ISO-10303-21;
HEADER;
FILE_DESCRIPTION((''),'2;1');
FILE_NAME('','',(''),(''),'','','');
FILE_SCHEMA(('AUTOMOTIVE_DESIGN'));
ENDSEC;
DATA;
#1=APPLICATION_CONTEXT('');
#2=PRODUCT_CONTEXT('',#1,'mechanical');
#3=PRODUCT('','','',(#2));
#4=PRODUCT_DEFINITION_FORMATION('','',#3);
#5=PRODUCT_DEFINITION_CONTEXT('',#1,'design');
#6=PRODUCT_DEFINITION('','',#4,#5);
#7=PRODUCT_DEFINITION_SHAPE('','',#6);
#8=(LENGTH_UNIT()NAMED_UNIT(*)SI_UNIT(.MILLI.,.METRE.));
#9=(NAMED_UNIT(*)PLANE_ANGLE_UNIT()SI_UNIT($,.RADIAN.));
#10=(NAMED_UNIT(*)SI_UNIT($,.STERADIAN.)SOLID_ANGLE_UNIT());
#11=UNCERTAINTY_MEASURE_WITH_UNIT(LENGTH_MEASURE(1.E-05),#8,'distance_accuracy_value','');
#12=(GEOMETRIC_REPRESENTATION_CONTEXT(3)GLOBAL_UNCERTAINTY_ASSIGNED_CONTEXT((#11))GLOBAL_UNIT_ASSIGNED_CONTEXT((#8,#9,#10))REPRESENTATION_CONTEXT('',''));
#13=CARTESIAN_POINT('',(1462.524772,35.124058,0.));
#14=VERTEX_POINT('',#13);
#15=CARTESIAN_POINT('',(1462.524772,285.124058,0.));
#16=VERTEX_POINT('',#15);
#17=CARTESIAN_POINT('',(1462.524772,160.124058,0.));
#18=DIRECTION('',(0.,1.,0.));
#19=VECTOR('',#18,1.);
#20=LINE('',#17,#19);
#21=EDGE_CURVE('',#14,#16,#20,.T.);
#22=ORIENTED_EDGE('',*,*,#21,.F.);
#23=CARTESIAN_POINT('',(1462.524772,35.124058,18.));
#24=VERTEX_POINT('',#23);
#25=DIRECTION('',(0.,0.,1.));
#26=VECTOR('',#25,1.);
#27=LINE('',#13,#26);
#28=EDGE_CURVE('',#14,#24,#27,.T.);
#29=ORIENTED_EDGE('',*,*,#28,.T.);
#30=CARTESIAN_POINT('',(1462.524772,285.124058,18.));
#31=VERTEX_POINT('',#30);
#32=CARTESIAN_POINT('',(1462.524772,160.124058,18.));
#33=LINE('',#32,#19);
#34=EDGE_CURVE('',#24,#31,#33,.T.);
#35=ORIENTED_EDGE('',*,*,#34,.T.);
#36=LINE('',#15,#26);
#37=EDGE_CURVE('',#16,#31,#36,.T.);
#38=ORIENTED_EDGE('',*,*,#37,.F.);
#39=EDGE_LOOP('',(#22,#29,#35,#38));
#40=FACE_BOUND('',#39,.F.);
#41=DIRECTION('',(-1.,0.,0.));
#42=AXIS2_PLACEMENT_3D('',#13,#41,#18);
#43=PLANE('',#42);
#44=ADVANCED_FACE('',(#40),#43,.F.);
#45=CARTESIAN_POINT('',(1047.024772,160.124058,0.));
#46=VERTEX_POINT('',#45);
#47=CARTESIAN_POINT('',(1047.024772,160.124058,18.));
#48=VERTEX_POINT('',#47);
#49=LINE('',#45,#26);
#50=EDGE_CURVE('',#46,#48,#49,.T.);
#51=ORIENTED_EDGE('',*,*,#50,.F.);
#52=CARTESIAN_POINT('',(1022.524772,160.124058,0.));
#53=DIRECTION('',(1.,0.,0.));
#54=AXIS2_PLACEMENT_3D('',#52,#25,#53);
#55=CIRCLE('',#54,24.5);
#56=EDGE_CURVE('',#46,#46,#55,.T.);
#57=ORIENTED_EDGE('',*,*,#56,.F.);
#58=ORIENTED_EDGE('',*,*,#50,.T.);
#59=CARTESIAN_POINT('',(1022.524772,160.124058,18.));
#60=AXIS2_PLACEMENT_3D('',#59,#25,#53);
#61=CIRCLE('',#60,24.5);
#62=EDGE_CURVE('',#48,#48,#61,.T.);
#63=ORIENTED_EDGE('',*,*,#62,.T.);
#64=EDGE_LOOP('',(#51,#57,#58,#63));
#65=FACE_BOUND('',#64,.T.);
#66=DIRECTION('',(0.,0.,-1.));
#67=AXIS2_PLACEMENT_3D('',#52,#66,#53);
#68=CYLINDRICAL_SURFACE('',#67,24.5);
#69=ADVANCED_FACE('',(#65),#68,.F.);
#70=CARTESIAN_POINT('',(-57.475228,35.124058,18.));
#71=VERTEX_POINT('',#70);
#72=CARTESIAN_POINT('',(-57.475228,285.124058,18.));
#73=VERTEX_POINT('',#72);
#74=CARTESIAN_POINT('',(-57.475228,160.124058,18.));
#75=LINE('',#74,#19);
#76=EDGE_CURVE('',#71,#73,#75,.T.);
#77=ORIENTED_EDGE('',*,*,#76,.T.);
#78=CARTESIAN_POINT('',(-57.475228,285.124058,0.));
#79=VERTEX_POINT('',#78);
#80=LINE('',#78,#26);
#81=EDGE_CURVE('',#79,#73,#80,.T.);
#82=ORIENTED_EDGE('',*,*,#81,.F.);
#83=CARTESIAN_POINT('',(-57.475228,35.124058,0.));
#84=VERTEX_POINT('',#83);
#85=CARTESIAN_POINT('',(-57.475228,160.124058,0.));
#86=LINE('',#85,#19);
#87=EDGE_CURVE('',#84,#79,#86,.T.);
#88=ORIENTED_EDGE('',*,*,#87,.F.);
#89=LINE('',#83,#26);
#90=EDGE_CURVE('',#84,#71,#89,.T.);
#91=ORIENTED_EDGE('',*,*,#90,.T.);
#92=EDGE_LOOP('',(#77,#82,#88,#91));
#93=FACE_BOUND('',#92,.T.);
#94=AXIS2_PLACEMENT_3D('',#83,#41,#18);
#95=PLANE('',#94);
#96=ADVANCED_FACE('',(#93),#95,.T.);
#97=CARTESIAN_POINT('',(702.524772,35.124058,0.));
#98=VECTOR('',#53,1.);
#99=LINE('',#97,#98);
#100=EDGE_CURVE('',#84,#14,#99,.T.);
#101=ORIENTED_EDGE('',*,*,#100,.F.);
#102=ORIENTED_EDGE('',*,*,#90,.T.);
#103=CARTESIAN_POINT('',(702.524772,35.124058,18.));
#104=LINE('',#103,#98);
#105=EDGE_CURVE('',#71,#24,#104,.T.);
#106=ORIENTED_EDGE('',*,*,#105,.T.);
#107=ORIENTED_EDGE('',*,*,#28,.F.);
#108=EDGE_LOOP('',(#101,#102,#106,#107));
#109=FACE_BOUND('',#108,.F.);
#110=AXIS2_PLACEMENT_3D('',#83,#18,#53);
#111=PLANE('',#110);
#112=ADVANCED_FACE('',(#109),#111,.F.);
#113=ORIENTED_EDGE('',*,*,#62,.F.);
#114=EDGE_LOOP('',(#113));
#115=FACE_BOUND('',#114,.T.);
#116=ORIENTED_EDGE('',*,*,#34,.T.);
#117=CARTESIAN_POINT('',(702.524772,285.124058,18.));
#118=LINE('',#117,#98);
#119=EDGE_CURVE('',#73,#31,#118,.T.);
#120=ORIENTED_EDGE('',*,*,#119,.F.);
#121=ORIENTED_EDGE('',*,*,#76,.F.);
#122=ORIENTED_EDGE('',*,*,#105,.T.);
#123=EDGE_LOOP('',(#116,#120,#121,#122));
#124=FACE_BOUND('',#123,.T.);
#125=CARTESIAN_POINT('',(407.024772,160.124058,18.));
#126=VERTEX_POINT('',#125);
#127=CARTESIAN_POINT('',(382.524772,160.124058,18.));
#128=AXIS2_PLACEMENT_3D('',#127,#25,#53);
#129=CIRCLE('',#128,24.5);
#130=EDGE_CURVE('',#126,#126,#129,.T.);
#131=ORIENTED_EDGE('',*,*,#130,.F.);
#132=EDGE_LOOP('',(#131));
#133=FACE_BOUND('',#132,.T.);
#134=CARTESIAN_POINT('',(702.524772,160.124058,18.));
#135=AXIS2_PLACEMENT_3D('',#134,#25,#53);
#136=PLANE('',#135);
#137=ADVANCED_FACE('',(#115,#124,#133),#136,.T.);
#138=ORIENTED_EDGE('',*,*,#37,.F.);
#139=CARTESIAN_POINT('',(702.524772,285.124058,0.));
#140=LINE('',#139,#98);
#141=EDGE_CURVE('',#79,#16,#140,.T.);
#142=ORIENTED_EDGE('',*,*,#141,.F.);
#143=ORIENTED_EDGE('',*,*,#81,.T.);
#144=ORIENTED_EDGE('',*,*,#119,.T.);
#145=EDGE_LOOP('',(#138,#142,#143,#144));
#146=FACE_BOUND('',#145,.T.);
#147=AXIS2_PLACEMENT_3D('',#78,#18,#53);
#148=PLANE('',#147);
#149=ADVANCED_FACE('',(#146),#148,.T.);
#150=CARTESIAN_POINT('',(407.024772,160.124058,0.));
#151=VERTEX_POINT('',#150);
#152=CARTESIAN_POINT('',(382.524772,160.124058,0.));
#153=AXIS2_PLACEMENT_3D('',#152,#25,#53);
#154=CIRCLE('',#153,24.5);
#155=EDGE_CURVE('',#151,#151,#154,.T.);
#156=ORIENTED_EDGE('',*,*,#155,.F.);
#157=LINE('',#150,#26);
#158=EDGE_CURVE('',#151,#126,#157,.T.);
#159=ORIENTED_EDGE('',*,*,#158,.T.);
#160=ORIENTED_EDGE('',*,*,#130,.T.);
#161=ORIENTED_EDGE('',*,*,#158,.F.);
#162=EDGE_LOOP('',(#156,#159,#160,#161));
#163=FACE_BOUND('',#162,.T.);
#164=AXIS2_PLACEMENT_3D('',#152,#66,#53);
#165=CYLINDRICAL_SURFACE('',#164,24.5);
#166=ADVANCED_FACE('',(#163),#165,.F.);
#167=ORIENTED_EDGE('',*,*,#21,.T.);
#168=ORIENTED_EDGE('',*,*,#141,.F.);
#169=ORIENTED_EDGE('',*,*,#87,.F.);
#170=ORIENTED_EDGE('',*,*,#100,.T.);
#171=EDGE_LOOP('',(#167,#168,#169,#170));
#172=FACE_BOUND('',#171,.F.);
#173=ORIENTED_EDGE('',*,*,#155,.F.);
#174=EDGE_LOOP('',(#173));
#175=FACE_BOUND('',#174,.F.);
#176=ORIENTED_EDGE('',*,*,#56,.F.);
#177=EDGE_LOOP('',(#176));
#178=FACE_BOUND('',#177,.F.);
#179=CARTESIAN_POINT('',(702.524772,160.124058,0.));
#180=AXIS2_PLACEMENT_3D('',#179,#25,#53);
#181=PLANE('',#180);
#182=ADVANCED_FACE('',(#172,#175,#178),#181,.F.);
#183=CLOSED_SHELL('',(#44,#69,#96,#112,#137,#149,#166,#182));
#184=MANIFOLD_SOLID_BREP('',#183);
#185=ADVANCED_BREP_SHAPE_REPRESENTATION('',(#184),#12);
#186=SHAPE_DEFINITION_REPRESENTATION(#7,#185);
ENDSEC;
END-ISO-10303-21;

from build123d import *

# Parameters (mm, degrees)
F0_W     = 1520
F0_H     = 250
F0_R     = 24.5
F1_DEPTH = 18


with BuildPart() as f1:
    # F0 (on Top) → F1 (new body)
    with BuildSketch(Plane.XY):
        with Locations((702.524772, 160.124058)):
            Rectangle(F0_W, F0_H)
        with Locations((382.524772, 160.124058)):
            Circle(F0_R, mode=Mode.SUBTRACT)
        with Locations((1022.524772, 160.124058)):
            Circle(F0_R, mode=Mode.SUBTRACT)
    extrude(amount=F1_DEPTH)


solid = f1.part
